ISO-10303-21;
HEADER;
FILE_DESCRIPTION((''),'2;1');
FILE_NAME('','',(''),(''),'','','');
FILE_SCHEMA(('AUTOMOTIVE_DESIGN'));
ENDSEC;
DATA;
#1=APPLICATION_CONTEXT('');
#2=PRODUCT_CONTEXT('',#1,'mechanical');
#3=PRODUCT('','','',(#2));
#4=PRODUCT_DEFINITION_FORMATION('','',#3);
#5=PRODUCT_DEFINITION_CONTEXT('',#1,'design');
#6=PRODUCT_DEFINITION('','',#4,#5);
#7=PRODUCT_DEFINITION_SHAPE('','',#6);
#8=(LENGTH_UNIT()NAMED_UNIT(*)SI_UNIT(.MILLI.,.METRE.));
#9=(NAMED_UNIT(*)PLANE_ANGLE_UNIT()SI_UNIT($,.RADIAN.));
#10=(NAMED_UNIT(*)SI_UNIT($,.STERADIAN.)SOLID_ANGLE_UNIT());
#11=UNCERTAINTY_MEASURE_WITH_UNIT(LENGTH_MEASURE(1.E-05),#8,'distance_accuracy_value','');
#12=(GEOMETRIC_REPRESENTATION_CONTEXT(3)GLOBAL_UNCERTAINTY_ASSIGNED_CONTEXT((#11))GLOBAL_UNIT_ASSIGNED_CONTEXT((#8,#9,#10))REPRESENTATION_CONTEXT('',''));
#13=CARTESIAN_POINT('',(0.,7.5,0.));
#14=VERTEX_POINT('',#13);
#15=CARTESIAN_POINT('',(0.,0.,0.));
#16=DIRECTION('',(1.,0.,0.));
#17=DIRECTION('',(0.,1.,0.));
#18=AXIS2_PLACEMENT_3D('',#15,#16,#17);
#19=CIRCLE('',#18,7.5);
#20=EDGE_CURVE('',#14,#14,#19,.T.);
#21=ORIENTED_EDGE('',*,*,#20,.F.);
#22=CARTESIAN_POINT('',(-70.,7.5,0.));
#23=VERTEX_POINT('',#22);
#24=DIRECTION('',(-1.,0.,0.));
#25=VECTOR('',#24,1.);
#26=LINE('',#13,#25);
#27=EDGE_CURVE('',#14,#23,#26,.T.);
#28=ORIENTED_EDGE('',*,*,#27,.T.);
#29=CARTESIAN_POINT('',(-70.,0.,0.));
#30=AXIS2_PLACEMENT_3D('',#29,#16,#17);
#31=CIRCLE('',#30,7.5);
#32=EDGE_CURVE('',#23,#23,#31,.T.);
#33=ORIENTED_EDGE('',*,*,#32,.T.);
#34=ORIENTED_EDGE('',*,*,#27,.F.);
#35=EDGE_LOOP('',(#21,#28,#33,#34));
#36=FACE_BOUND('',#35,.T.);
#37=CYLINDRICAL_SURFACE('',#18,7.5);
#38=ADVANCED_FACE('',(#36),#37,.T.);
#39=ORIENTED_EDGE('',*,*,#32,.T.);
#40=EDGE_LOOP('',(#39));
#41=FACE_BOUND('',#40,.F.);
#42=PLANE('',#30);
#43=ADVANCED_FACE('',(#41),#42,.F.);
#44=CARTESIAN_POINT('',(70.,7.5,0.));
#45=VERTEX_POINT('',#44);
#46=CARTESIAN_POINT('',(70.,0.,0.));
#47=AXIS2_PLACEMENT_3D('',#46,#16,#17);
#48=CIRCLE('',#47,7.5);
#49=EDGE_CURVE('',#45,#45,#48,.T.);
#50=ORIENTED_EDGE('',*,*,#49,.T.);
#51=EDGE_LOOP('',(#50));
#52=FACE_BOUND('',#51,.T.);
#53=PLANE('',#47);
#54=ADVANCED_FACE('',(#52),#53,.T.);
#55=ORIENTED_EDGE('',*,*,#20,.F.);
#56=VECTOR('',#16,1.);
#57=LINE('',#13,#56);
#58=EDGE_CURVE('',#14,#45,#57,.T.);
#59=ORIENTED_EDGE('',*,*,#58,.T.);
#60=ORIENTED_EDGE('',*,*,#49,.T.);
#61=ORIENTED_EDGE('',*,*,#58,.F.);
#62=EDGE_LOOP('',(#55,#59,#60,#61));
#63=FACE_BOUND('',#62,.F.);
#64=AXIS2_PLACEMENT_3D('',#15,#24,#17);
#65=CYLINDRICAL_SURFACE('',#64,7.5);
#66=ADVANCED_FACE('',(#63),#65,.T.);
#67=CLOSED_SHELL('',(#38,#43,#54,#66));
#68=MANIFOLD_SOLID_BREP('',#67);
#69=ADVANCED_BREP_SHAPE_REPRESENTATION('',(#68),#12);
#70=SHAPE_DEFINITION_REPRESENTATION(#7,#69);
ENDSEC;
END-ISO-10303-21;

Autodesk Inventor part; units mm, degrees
ref_plane "YZ Plane" through (0, 0, 0) normal (1, 0, 0) x (0, 1, 0)
ref_plane "XZ Plane" through (0, 0, 0) normal (0, 1, 0) x (-1, 0, 0)
ref_plane "XY Plane" through (0, 0, 0) normal (0, 0, 1) x (1, 0, 0)
sketch "Эскиз1" plane through (0, 0, 0) normal (1, 0, 0) x (0, 1, 0)
  circle A0 centre (0, 0) radius 7.5
  dimension "d0" = 15
extrude "Выдавливание1" add sketch "Эскиз1" along normal mid plane 140
properties part number "вал"
